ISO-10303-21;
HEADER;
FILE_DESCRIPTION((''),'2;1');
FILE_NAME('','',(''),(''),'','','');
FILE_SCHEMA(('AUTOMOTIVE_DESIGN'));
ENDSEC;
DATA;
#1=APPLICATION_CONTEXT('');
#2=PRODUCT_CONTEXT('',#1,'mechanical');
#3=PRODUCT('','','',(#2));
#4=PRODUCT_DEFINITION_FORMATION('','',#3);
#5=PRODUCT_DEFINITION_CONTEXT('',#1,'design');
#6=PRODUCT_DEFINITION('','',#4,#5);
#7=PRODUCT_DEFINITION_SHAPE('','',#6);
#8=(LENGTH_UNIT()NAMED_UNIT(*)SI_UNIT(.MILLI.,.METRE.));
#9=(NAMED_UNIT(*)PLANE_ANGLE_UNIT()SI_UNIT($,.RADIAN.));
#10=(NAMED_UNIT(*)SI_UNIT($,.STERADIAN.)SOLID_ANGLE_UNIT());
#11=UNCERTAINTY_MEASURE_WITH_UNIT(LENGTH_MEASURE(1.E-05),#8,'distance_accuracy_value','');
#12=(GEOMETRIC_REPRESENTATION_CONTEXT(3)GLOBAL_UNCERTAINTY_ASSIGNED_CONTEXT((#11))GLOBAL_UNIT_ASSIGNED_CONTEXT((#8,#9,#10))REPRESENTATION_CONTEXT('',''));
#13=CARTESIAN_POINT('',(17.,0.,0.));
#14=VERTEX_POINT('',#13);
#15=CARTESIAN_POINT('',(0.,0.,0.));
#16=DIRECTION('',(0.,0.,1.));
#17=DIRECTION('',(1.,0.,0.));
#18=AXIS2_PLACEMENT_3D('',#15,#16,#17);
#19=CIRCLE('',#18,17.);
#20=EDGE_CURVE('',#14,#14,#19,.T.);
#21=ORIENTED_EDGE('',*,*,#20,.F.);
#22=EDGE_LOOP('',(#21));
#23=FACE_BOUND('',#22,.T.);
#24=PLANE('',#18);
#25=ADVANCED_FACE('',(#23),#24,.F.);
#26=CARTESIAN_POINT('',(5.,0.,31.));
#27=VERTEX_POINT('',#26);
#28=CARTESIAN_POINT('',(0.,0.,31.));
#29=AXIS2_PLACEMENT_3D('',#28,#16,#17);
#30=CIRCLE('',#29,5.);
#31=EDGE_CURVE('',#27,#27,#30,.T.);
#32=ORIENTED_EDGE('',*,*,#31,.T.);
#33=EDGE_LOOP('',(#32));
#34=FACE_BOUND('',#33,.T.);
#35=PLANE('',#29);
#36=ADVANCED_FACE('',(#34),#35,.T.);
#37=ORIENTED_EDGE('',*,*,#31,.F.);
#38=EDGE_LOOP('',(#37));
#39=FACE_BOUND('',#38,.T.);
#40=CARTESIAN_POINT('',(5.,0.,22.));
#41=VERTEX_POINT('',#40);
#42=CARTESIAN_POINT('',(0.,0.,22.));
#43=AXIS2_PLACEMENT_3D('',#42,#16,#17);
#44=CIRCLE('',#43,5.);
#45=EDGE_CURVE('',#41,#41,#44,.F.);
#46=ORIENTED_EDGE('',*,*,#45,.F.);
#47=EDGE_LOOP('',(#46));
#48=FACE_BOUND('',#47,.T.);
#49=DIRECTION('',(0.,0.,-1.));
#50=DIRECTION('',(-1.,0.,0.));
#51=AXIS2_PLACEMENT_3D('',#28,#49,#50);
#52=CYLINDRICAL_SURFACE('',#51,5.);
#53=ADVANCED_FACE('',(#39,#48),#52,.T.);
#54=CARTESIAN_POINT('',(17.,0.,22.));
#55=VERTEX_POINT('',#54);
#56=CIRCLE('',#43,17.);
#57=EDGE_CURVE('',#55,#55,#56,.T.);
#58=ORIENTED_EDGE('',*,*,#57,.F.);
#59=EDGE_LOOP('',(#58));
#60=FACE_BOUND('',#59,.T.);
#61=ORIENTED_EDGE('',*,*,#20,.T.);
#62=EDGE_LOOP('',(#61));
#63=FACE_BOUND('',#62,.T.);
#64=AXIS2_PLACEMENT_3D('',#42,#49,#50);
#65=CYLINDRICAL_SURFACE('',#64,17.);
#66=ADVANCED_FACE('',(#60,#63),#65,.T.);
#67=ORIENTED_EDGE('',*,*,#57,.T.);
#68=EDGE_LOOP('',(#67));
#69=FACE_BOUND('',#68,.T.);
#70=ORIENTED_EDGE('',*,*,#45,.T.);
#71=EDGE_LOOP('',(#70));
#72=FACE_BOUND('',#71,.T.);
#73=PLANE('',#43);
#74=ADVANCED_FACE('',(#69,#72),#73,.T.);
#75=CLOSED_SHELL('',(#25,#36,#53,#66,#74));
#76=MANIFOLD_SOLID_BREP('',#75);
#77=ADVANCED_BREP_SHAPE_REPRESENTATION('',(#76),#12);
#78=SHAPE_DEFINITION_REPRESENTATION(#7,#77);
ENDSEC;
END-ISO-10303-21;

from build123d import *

# Parameters (mm, degrees)
IZIM1_R                     = 17
Y_KSEKLIK_EKSTR_ZYON1_DEPTH = 22
IZIM1_3_R                   = 5
Y_KSEKLIK_EKSTR_ZYON2_DEPTH = 31


with BuildPart() as part:
    # Çizim1 → Yükseklik-Ekstrüzyon1 (new body)
    with BuildSketch(Plane.XY):
        Circle(IZIM1_R)
    extrude(amount=Y_KSEKLIK_EKSTR_ZYON1_DEPTH)

    # Çizim1<3> → Yükseklik-Ekstrüzyon2 (add)
    with BuildSketch(Plane.XY):
        Circle(IZIM1_3_R)
    extrude(amount=Y_KSEKLIK_EKSTR_ZYON2_DEPTH)


solid = part.part
